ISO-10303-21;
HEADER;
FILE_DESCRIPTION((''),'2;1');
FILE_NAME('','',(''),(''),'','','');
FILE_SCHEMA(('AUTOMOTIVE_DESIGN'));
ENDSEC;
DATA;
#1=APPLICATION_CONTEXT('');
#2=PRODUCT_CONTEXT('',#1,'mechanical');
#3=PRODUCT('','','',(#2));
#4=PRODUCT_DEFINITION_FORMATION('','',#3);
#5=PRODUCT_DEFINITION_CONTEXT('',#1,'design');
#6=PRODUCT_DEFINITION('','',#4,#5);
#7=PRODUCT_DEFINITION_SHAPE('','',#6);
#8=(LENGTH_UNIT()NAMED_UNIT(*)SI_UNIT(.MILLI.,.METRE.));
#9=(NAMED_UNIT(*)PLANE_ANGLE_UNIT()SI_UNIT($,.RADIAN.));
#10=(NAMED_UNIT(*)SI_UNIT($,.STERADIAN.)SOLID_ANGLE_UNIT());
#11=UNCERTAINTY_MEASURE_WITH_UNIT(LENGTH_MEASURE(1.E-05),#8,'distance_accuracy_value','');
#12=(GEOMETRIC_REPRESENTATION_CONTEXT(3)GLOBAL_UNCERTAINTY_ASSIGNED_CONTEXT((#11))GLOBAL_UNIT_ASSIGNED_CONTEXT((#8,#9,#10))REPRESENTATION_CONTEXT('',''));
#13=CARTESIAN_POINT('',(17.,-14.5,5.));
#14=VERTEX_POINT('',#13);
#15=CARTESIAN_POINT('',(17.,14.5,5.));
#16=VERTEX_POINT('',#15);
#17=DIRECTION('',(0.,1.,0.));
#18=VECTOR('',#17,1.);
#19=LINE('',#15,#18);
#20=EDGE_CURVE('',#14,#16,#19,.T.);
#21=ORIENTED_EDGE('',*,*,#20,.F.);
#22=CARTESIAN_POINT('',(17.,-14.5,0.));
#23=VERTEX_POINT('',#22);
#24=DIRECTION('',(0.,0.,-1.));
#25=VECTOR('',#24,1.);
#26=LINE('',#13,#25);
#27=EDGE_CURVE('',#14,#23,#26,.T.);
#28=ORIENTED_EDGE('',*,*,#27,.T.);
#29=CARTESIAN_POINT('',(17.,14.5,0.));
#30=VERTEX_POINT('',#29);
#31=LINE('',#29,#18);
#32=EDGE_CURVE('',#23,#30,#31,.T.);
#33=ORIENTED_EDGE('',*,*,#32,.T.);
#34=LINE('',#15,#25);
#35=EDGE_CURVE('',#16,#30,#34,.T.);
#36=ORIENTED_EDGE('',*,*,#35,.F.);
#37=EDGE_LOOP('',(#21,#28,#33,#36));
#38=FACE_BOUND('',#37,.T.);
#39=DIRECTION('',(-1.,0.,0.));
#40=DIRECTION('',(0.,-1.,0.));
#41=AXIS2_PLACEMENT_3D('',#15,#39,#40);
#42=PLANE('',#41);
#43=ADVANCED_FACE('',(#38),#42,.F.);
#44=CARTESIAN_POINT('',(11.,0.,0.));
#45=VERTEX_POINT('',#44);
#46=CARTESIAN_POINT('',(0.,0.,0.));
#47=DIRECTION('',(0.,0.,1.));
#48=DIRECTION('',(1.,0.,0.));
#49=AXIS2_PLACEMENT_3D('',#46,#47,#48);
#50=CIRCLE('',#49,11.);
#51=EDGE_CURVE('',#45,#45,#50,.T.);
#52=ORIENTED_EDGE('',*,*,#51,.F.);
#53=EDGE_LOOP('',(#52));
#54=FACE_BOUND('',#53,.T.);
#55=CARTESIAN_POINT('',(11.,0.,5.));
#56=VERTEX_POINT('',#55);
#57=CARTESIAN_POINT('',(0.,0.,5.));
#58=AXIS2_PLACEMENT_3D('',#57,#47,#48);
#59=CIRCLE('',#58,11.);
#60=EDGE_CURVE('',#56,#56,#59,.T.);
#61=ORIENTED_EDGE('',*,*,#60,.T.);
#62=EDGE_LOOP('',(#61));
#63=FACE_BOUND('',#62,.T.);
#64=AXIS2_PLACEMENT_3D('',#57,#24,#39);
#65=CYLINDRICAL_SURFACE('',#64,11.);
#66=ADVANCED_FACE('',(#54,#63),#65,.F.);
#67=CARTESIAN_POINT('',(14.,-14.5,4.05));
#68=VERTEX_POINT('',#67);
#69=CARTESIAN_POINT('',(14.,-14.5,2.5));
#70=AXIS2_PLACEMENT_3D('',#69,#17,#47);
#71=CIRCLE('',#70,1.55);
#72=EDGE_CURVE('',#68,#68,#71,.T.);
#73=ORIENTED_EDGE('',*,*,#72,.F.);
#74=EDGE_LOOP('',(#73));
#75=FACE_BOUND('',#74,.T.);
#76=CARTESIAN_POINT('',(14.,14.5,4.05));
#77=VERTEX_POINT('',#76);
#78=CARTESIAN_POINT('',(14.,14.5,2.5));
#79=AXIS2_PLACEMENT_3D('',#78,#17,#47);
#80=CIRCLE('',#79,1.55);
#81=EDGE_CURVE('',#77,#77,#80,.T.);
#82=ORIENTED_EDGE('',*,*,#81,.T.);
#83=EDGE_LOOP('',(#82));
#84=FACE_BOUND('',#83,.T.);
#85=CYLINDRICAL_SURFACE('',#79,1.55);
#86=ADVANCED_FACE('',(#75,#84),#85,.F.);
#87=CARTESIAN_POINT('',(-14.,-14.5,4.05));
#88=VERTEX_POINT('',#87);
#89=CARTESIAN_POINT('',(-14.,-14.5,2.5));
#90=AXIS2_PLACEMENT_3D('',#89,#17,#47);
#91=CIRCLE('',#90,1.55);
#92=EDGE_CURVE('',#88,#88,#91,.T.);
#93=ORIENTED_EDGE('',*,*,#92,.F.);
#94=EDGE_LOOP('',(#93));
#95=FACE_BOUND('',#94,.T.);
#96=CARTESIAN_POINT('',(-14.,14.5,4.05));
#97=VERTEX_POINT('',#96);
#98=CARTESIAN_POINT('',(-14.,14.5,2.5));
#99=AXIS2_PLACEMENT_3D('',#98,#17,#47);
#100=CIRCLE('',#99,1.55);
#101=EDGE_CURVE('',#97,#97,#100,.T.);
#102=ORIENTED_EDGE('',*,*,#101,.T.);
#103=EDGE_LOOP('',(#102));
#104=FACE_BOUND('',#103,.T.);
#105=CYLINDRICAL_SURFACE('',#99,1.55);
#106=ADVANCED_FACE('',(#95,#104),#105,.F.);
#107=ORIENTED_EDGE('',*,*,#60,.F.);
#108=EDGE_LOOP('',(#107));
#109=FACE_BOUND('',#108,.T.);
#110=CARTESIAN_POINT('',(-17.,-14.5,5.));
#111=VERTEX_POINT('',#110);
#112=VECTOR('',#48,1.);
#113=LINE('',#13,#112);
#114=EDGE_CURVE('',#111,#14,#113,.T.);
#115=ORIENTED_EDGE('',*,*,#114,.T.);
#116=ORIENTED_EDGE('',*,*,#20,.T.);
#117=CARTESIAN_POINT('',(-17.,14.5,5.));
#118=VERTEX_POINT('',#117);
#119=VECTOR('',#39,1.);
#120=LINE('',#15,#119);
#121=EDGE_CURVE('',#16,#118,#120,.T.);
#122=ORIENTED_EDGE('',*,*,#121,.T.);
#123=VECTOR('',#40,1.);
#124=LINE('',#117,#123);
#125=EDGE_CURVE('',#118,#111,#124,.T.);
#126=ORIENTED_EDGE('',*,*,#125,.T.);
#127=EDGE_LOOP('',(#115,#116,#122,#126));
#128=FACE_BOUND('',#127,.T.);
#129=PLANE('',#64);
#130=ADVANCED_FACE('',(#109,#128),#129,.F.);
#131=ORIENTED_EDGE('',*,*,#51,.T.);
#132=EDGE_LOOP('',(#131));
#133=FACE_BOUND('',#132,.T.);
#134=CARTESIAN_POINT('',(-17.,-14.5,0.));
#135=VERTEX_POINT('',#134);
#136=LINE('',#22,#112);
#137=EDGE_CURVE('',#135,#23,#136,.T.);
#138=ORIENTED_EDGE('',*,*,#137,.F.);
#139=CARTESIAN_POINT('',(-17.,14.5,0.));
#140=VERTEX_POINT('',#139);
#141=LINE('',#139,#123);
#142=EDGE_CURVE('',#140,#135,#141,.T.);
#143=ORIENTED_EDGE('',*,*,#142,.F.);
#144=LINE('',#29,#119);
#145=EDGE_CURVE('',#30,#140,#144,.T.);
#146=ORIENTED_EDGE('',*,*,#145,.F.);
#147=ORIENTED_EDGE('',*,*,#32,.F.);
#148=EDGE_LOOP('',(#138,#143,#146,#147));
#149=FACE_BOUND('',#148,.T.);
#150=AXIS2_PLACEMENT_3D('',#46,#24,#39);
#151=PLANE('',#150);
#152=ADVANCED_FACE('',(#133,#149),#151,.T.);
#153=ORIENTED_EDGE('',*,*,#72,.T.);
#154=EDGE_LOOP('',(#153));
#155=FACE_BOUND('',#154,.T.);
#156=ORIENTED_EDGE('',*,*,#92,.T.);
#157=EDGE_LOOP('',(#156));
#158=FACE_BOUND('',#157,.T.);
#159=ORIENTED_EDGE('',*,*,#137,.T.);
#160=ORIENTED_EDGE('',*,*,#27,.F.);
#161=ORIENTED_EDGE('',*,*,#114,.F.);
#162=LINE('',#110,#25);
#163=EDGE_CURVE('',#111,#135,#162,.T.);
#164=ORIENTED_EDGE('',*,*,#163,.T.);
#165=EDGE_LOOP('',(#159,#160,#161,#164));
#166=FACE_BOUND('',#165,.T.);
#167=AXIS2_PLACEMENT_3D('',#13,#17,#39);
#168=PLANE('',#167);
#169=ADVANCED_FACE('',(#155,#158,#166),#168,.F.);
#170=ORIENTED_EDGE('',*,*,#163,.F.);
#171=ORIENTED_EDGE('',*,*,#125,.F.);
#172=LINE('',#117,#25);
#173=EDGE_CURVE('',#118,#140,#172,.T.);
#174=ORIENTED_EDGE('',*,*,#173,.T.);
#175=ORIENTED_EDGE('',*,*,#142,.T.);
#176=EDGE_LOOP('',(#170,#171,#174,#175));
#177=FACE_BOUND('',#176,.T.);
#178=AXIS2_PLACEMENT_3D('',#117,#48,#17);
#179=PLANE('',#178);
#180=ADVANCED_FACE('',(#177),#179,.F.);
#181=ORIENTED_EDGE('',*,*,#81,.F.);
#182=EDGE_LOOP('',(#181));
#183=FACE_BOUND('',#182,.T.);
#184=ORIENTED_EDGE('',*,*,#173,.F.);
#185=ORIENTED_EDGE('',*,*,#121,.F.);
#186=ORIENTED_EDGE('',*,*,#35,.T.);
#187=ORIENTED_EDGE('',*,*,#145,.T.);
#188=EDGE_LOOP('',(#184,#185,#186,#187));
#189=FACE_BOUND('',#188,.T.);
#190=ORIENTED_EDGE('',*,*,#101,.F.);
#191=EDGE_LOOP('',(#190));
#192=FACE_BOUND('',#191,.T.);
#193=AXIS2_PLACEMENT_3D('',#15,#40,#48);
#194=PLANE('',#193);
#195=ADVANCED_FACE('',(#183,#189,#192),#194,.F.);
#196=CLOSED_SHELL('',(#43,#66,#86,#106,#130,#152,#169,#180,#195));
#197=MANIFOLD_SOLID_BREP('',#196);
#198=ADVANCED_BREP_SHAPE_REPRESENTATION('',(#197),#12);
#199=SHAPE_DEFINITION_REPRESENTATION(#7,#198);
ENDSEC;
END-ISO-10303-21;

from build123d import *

# Parameters (mm, degrees)
SKETCH_1_W      = 34
SKETCH_1_H      = 29
SKETCH_1_R      = 11
EXTRUDE_1_DEPTH = 5
HOLE_WIZARD_1_D = 3.1


with BuildPart() as part:
    # 草图1 → 凸台-拉伸1 (new body)
    with BuildSketch(Plane.XY):
        Rectangle(SKETCH_1_W, SKETCH_1_H)
        Circle(SKETCH_1_R, mode=Mode.SUBTRACT)
    extrude(amount=EXTRUDE_1_DEPTH)

    # 孔1 (through all)
    with Locations(Plane(origin=(0, 14.5, 0), x_dir=(1, 0, 0), z_dir=(0, 1, 0))):
        with Locations((-14, -2.5), (14, -2.5)):
            Hole(HOLE_WIZARD_1_D / 2)


solid = part.part
